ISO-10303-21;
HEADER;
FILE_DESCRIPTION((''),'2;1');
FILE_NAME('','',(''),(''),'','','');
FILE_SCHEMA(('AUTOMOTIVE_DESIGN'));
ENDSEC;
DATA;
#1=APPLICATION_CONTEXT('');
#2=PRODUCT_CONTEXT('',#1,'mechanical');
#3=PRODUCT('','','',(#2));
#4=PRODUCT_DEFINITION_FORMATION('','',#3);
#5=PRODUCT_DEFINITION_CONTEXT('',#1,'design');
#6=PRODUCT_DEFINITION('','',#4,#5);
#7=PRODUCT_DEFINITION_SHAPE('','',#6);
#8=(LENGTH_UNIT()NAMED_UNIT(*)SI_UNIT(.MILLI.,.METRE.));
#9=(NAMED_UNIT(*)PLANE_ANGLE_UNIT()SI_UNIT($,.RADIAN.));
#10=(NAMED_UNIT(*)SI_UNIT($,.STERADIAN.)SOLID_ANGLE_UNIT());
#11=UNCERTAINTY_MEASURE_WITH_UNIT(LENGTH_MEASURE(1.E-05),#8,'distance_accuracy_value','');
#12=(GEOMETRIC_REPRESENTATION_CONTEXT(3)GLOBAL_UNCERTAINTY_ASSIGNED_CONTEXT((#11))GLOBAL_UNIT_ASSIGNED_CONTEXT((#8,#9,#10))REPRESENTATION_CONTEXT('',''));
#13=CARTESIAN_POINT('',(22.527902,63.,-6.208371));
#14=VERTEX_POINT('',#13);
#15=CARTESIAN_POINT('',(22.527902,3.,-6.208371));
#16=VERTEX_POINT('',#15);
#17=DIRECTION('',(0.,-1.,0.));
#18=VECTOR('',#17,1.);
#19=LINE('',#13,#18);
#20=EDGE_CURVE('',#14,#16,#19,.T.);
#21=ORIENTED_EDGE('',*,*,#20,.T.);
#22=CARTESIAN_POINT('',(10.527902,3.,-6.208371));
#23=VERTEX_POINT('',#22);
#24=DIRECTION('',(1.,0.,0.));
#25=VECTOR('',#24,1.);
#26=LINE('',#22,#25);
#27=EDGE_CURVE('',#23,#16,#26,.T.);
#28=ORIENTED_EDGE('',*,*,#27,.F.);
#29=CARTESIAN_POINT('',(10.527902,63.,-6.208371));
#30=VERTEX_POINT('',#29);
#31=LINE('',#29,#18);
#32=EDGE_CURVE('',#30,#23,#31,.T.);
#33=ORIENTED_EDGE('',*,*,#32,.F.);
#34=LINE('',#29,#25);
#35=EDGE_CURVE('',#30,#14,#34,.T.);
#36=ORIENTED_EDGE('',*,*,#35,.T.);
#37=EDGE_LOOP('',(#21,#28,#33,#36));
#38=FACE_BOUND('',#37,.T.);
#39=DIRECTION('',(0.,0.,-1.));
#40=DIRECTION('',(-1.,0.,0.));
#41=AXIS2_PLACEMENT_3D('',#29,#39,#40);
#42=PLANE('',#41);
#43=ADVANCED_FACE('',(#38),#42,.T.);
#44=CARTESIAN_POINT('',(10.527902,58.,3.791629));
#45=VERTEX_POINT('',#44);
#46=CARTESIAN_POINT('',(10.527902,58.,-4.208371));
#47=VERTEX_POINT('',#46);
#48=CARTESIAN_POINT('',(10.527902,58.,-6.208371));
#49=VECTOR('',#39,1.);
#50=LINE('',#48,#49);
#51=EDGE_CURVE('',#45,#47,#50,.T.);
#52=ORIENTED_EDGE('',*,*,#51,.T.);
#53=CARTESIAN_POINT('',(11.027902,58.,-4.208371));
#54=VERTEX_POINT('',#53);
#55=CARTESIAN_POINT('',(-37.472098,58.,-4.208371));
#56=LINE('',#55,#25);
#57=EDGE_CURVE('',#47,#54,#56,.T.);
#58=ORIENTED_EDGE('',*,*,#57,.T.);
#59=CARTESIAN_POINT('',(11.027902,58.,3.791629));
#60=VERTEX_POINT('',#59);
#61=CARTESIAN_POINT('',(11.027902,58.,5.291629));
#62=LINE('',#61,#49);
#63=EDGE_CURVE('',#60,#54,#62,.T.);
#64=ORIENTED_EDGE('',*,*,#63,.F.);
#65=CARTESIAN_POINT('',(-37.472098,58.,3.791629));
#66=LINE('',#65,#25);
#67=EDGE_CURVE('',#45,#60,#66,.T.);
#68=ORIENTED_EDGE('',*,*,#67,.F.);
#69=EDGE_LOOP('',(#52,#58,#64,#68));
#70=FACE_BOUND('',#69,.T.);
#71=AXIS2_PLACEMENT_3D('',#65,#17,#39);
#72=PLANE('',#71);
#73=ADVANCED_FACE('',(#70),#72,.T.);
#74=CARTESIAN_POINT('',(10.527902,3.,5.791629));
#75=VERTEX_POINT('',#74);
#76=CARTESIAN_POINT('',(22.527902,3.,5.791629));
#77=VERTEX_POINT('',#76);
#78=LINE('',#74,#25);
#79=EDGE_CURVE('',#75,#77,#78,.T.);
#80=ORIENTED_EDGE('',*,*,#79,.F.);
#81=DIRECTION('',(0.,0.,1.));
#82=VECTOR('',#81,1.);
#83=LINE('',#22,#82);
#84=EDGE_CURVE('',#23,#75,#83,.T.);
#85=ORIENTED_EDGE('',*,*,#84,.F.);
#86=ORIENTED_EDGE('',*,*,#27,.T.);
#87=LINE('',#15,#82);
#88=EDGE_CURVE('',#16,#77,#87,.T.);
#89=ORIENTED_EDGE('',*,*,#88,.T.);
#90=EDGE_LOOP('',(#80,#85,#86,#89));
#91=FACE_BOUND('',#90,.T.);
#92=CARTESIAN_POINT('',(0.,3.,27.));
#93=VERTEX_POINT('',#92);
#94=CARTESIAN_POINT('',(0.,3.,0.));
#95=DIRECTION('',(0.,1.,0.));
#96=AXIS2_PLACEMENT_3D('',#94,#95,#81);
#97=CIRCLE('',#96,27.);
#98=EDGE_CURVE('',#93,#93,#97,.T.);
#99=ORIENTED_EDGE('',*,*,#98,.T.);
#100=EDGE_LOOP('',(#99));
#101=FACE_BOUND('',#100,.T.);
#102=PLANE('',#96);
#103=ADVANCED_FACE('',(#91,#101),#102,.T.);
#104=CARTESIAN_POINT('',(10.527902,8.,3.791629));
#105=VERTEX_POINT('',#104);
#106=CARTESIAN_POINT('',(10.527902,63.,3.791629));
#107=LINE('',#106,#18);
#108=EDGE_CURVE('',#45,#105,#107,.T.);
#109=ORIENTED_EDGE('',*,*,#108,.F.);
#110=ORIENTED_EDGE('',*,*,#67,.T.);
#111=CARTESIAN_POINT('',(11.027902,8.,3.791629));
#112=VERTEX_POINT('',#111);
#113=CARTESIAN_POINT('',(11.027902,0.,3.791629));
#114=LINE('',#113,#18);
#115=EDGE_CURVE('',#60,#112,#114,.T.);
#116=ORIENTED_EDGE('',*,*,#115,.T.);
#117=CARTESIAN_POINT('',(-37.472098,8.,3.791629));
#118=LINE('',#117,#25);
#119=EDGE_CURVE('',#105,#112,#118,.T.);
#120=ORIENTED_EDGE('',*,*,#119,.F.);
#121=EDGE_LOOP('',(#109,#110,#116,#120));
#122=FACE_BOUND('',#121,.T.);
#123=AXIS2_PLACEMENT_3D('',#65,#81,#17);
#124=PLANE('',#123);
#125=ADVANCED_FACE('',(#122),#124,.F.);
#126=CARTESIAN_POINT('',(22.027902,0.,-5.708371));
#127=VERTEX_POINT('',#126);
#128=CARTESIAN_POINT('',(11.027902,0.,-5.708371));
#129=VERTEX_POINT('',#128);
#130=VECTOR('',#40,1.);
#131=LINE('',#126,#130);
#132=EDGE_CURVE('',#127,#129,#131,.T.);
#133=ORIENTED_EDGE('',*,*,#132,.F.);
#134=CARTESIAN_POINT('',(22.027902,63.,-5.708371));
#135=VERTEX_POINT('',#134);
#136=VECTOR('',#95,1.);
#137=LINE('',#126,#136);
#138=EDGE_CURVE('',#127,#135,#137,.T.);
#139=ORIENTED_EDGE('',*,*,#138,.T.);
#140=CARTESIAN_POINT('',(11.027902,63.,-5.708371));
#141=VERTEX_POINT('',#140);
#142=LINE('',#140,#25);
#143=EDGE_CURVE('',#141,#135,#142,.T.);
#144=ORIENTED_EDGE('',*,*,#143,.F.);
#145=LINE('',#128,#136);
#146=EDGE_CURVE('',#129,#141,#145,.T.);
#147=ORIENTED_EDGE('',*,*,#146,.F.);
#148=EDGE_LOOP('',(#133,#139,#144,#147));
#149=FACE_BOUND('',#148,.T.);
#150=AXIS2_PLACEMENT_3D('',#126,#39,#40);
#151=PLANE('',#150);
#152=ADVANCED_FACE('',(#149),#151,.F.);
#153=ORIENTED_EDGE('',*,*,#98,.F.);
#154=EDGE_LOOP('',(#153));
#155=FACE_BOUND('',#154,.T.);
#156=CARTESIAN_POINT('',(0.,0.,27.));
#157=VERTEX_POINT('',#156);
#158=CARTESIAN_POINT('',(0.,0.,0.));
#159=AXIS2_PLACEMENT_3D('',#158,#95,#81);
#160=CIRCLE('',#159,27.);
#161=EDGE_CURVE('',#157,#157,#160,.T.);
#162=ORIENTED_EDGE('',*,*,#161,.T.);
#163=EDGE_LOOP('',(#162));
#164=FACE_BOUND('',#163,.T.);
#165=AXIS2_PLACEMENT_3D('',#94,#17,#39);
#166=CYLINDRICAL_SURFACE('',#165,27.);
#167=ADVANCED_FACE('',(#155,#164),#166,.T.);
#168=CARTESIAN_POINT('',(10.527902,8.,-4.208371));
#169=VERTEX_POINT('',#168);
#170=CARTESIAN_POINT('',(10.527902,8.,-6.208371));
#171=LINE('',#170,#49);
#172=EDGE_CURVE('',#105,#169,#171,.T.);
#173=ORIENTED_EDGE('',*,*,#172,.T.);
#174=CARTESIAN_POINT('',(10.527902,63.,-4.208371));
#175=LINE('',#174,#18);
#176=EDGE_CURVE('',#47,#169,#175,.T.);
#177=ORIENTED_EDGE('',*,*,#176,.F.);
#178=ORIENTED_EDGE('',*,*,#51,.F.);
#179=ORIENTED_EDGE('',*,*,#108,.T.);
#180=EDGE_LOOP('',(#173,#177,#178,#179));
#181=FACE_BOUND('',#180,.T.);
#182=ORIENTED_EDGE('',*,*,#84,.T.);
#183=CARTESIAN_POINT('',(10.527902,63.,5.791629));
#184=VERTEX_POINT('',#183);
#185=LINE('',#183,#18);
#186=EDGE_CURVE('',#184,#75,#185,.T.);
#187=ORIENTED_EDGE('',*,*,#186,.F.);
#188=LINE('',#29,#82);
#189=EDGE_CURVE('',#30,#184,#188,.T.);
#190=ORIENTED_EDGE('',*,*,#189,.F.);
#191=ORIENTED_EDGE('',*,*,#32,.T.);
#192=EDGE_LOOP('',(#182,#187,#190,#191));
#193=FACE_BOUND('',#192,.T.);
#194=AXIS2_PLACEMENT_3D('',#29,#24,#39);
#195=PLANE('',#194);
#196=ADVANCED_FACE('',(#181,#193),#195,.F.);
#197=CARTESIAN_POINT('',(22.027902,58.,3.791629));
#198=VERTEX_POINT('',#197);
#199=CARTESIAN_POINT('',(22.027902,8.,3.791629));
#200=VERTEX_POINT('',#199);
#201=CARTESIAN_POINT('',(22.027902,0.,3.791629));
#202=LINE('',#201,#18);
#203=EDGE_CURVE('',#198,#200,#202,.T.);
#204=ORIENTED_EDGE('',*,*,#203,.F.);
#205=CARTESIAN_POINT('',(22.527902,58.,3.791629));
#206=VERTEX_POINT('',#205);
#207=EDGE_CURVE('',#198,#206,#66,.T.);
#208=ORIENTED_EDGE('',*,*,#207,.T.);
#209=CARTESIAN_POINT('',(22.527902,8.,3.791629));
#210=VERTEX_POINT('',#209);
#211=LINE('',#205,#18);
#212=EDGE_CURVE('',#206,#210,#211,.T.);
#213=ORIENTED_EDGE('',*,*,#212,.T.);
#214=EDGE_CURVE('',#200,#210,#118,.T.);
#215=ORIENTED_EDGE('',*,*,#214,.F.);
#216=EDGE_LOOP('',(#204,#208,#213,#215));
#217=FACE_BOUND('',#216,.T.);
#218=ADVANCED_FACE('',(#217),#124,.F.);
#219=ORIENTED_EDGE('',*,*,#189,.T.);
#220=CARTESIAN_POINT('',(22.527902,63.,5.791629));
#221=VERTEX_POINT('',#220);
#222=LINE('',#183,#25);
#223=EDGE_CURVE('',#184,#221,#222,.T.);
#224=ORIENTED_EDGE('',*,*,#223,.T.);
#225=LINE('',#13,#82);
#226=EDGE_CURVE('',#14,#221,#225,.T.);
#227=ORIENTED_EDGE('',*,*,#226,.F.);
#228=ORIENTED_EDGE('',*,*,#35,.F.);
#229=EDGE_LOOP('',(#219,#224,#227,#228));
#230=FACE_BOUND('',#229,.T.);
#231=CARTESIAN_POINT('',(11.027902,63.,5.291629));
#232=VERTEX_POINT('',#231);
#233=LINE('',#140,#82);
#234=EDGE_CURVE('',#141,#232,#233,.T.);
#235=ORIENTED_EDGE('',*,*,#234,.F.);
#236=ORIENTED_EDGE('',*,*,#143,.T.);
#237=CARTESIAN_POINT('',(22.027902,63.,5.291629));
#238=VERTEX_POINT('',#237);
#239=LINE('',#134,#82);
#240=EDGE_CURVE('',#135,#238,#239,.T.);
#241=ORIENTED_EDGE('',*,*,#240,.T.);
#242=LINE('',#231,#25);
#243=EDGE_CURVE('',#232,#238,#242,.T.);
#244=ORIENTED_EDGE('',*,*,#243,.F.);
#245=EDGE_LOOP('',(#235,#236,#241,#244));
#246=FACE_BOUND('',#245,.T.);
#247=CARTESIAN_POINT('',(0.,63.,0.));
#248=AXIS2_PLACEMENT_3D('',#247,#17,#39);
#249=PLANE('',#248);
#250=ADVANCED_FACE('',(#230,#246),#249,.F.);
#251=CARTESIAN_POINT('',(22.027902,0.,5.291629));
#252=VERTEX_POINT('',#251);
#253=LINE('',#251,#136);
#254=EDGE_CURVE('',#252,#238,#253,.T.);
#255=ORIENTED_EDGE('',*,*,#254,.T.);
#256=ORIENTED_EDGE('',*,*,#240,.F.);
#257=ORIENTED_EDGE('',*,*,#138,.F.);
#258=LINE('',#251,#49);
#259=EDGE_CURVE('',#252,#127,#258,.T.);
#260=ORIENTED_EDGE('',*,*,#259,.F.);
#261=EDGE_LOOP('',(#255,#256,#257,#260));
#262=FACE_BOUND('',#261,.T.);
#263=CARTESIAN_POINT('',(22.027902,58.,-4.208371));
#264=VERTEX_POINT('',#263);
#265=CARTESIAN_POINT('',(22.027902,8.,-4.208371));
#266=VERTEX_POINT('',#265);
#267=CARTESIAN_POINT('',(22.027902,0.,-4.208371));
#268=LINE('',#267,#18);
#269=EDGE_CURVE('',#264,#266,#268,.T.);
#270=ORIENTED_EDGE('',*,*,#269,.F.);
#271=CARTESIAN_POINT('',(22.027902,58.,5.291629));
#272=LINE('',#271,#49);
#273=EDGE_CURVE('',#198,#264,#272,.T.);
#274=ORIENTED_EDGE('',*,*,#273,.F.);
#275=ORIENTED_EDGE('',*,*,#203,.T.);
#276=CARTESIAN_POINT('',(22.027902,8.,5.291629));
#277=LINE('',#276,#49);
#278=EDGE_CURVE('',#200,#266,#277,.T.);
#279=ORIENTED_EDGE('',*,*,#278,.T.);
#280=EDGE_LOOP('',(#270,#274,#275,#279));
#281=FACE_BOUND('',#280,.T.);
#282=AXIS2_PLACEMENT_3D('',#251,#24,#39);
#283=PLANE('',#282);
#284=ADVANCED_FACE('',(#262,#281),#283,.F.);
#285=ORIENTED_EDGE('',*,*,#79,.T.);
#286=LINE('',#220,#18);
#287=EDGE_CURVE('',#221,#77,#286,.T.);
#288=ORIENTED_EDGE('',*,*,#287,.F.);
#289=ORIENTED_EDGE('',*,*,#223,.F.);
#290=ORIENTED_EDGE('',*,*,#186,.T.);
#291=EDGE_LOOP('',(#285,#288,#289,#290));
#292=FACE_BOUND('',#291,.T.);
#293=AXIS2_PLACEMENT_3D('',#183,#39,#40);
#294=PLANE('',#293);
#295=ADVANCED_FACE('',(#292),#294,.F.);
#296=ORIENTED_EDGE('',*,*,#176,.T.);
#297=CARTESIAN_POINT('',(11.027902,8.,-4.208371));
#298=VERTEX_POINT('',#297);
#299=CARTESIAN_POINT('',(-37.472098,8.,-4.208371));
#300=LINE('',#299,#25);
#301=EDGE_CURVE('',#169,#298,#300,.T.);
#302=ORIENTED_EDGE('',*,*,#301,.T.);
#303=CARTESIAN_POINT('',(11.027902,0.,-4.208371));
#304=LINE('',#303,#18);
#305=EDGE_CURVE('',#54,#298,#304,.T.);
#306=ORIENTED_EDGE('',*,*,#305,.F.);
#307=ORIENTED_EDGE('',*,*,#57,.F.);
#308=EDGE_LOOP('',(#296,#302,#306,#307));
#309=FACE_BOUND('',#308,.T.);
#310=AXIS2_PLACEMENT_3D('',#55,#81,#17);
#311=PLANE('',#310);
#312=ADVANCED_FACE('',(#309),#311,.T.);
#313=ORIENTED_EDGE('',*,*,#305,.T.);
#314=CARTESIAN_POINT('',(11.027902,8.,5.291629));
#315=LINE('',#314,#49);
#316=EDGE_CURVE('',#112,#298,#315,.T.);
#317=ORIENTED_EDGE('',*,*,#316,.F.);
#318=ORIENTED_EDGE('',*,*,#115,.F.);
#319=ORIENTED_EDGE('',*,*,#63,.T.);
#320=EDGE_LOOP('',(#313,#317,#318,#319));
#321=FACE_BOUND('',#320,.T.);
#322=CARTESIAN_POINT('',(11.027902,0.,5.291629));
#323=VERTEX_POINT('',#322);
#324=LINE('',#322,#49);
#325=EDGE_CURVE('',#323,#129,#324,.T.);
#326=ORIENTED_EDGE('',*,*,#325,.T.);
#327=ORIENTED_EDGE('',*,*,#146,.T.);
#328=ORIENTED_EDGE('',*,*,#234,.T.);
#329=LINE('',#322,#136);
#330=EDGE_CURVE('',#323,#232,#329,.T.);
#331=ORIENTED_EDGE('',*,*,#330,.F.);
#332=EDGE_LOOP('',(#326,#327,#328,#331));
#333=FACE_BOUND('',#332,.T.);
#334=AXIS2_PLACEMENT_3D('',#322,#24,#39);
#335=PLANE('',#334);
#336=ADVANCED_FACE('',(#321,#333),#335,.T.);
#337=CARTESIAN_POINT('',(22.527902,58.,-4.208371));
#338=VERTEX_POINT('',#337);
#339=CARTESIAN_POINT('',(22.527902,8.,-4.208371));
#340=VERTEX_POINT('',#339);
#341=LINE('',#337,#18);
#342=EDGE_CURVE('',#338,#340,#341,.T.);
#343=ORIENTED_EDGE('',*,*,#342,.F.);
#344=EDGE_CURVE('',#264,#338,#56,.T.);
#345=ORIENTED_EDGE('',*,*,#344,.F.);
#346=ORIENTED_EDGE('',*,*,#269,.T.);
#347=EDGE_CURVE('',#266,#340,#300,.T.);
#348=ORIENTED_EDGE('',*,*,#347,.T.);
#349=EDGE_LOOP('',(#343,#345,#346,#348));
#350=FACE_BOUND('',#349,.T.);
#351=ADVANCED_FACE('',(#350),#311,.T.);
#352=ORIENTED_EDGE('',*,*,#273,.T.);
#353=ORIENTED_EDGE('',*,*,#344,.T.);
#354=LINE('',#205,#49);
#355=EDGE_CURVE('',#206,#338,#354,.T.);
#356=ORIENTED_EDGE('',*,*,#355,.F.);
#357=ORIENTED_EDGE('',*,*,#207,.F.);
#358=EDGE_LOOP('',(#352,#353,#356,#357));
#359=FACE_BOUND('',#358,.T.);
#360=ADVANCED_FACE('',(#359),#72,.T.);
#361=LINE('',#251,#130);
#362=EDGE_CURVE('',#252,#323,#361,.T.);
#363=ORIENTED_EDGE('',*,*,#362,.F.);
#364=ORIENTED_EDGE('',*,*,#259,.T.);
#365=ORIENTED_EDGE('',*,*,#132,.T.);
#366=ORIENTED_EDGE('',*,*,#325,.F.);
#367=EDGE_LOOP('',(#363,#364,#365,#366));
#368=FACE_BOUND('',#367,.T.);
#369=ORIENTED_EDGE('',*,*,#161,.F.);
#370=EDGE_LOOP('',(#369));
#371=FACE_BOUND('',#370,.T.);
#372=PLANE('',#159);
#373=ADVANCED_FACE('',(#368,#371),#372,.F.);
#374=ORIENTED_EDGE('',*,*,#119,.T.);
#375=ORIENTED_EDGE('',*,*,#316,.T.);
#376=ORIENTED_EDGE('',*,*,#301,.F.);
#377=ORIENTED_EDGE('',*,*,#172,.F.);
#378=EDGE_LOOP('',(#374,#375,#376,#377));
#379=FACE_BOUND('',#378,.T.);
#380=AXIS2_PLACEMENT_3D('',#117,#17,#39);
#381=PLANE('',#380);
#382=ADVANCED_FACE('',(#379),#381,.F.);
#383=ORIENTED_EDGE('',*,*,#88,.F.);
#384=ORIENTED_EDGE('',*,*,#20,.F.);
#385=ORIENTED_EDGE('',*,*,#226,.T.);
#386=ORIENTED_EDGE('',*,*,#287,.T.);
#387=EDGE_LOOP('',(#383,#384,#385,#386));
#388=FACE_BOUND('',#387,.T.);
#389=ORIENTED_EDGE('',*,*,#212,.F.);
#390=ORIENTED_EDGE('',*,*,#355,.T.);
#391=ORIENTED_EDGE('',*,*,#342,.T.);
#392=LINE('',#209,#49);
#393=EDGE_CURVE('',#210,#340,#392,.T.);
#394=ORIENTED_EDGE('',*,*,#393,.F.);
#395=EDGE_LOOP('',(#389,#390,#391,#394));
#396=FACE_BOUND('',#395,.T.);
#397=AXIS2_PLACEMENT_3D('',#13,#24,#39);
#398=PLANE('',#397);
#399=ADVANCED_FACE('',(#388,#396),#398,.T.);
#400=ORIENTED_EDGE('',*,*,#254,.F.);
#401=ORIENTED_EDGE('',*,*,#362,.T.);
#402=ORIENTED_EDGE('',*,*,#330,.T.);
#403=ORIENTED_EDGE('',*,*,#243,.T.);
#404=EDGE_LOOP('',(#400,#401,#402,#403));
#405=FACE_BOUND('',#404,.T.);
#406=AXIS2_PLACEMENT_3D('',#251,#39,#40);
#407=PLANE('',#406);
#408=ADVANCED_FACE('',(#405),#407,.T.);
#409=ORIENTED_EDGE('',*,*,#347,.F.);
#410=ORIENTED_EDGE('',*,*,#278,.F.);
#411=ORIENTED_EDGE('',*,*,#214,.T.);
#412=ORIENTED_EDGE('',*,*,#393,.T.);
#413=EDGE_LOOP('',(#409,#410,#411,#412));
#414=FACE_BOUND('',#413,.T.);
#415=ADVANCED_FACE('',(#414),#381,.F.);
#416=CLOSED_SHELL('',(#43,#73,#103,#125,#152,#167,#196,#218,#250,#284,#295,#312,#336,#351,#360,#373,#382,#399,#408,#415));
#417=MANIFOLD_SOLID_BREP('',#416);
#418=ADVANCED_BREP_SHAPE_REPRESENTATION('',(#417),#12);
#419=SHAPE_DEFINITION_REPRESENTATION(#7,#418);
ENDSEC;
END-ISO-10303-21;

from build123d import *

# Parameters (mm, degrees)
SKETCH1_R           = 27
BOSS_EXTRUDE2_DEPTH = 3
SKETCH3_W           = 11
SKETCH3_H           = 11
CUT_EXTRUDE1_DEPTH  = 3
SKETCH5_W           = 12
SKETCH5_H           = 12
SKETCH5_W_2         = 11
SKETCH5_H_2         = 11
BOSS_EXTRUDE3_DEPTH = 60
SKETCH6_W           = 8
SKETCH6_H           = 50
CUT_EXTRUDE2_DEPTH  = 60


with BuildPart() as part:
    # Sketch1 → Boss-Extrude2 (new body)
    with BuildSketch(Plane(origin=(0, 0, 0), x_dir=(1, 0, 0), z_dir=(0, 1, 0))):
        with Locations(Location((0, 0, 0), (0, 0, 270))):
            Circle(SKETCH1_R)
    extrude(amount=BOSS_EXTRUDE2_DEPTH)

    # Sketch3 → Cut-Extrude1 (cut)
    with BuildSketch(Plane(origin=(0, 3, 0), x_dir=(1, 0, 0), z_dir=(0, 1, 0))):
        with Locations((16.527901815, 0.208370768)):
            Rectangle(SKETCH3_W, SKETCH3_H)
    extrude(amount=-CUT_EXTRUDE1_DEPTH, mode=Mode.SUBTRACT)

    # Sketch5 → Boss-Extrude3 (add)
    with BuildSketch(Plane(origin=(0, 3, 0), x_dir=(1, 0, 0), z_dir=(0, 1, 0))):
        with Locations((16.527901815, 0.208370768)):
            Rectangle(SKETCH5_W, SKETCH5_H)
        with Locations((16.527901815, 0.208370768)):
            Rectangle(SKETCH5_W_2, SKETCH5_H_2, mode=Mode.SUBTRACT)
    extrude(amount=BOSS_EXTRUDE3_DEPTH)

    # Sketch6 → Cut-Extrude2 (cut)
    with BuildSketch(Plane(origin=(22.527901815, 0, 0), x_dir=(0, 0, -1), z_dir=(1, 0, 0))):
        with Locations((0.208370768, 33)):
            Rectangle(SKETCH6_W, SKETCH6_H)
    extrude(amount=-CUT_EXTRUDE2_DEPTH, mode=Mode.SUBTRACT)


solid = part.part
